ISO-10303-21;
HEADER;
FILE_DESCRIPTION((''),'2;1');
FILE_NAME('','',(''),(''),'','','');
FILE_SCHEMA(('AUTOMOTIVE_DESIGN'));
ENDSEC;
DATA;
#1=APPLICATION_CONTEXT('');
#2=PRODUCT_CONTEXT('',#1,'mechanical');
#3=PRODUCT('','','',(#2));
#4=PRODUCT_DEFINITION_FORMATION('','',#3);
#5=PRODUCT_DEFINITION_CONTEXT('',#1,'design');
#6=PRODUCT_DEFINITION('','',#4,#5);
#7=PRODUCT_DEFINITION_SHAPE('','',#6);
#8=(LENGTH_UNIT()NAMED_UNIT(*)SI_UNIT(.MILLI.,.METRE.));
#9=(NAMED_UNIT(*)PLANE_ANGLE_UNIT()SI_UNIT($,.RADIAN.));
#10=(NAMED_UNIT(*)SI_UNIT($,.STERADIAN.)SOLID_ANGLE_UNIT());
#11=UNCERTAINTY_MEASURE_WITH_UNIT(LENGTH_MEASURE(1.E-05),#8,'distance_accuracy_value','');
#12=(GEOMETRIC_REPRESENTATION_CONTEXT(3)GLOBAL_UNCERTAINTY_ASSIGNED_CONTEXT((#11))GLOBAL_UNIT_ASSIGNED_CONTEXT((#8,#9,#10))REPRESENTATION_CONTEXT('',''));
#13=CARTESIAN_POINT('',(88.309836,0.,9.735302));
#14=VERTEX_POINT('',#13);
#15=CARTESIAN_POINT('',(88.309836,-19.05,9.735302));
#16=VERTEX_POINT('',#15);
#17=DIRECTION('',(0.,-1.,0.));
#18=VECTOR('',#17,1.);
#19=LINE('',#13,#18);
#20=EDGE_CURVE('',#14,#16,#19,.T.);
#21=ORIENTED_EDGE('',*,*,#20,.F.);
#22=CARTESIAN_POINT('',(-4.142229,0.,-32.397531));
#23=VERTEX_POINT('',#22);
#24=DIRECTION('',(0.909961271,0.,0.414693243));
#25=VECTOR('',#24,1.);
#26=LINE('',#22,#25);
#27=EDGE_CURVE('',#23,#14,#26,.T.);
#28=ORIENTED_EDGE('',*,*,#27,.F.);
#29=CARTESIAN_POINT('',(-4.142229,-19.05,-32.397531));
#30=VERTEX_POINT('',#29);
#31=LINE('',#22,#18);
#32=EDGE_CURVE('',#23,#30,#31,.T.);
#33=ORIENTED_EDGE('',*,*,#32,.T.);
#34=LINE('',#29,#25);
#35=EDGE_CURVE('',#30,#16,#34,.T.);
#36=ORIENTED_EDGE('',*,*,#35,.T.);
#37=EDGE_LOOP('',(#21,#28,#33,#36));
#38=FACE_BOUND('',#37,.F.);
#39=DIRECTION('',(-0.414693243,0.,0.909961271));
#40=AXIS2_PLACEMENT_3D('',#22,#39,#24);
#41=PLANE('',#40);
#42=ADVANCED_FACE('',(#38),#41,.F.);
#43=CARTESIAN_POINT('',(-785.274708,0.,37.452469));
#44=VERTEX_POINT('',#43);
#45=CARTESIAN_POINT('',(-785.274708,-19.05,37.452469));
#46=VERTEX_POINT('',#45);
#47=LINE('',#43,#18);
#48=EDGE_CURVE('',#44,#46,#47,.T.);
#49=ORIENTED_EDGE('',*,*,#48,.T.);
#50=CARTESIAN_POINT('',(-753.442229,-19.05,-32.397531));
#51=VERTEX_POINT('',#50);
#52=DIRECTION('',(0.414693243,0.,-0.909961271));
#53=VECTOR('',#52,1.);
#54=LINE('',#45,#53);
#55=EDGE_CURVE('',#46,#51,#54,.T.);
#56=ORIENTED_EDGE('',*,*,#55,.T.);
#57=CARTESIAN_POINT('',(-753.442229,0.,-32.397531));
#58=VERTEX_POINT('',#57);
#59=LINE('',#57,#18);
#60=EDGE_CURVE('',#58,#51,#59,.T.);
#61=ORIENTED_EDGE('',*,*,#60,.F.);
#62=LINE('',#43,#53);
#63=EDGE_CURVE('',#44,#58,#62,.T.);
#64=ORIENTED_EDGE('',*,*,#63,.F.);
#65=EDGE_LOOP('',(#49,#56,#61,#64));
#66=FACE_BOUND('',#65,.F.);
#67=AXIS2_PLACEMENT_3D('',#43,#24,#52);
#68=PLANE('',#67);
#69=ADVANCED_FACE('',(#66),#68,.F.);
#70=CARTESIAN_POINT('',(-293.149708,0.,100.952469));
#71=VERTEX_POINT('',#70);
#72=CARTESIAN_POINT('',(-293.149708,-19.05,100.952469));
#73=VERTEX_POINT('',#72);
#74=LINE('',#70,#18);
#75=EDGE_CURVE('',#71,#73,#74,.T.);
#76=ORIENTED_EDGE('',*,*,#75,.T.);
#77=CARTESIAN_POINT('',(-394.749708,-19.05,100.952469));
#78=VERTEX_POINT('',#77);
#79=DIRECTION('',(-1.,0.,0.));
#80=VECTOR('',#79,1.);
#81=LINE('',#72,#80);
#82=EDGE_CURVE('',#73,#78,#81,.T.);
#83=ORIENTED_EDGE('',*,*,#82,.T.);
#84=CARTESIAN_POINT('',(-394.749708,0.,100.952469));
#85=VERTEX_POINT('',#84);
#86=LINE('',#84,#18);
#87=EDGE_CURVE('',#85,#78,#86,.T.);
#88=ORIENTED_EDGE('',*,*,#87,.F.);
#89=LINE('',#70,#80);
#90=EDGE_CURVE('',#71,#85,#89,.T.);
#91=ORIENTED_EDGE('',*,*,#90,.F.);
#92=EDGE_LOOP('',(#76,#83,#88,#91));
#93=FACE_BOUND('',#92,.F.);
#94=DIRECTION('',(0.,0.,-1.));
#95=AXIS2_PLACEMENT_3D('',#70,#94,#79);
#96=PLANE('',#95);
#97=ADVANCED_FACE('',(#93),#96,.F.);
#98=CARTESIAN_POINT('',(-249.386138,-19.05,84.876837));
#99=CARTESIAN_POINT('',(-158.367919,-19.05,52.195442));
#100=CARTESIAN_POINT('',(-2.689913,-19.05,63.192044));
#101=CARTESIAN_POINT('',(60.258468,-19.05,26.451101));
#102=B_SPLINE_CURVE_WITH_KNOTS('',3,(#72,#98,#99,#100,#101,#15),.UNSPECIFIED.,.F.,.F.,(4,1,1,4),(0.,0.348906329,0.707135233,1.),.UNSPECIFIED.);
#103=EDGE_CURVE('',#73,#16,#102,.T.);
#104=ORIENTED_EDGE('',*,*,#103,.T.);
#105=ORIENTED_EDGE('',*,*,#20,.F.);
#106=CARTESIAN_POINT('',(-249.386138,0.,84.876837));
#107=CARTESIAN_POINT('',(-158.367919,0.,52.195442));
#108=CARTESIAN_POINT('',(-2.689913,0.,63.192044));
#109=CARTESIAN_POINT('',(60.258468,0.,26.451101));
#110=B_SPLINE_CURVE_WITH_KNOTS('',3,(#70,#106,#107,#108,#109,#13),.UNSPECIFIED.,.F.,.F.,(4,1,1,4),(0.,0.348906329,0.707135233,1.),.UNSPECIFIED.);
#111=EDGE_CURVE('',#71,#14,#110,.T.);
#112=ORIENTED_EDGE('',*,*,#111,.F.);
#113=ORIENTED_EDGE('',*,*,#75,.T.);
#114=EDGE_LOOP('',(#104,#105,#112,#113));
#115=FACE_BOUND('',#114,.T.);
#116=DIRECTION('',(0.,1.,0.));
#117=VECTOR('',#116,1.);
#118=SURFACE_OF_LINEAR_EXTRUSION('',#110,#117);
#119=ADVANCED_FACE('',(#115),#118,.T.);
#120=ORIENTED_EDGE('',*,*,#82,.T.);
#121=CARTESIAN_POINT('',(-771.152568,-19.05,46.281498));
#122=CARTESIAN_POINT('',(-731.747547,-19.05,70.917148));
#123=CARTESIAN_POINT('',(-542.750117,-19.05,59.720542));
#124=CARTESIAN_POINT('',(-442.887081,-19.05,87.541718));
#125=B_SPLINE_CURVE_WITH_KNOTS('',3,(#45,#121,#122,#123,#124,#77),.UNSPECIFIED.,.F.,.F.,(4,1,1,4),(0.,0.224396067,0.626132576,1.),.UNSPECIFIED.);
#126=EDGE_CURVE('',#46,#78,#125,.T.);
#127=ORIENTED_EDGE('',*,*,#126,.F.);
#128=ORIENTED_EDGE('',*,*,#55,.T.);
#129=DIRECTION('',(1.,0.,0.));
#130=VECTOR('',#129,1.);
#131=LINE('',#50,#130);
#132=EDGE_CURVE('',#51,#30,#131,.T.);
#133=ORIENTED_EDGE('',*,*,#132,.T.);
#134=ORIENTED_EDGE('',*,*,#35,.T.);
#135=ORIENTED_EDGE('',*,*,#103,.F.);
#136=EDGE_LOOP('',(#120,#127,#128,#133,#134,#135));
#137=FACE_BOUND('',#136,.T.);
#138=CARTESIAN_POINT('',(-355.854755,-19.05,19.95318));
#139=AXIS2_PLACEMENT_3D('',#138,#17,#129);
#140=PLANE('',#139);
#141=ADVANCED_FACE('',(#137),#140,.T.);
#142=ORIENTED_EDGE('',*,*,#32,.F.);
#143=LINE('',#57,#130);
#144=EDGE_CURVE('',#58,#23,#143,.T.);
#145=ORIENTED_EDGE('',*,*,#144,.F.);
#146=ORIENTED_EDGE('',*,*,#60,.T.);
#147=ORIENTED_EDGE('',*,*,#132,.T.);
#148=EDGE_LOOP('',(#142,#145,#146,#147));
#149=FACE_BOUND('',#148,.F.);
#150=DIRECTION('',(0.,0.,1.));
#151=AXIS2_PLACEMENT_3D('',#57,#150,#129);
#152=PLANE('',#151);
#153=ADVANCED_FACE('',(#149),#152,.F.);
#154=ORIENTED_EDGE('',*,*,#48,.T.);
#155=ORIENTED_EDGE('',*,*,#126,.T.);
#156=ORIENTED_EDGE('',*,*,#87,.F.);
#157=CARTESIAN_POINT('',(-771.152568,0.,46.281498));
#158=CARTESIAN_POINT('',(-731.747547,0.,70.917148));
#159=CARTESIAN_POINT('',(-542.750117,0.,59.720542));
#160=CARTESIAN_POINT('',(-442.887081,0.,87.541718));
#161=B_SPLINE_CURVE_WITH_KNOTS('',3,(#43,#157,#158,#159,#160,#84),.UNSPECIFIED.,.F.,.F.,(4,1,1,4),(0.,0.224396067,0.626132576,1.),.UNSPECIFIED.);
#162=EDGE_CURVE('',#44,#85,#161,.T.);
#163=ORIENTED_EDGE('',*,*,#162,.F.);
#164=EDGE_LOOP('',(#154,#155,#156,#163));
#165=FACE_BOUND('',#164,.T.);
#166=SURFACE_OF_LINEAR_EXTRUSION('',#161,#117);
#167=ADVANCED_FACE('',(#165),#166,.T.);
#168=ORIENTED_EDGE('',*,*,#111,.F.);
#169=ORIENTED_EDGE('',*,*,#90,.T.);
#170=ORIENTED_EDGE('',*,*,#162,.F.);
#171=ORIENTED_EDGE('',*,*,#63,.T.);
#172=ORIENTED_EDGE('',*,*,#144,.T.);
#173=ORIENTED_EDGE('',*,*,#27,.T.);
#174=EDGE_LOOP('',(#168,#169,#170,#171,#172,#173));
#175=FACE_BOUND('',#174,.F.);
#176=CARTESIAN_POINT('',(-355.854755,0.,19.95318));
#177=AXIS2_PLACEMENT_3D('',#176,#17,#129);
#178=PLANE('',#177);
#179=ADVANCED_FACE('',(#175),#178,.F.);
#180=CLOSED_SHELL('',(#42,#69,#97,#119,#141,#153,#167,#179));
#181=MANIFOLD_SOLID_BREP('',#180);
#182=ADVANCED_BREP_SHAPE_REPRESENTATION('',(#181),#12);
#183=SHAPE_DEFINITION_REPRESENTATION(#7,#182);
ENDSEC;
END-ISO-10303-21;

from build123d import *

# Parameters (mm, degrees)
F1_DEPTH = 19.05


with BuildPart() as f1:
    # F0 (on Front) → F1 (new body)
    with BuildSketch(Plane.XZ):
        with BuildLine():
            Line((-785.2747082114, 37.452469027), (-753.4422292625, -32.397530973))
            Line((-753.4422292625, -32.397530973), (-4.1422292625, -32.397530973))
            Line((-4.1422292625, -32.397530973), (88.3098358586, 9.7353024809))
            add(Edge.make_bspline(
                [(-293.1497082114, 100.952469027), (-249.3861376506, 84.8768374866), (-158.3679193405, 52.1954424277), (-2.6899127054, 63.192044415), (60.2584676484, 26.451100898), (88.3098358586, 9.7353024809)],
                knots=[0, 0, 0, 0, 0.3489063291, 0.7071352332, 1, 1, 1, 1], degree=3))
            Line((-293.1497082114, 100.952469027), (-394.7497082114, 100.952469027))
            add(Edge.make_bspline(
                [(-785.2747082114, 37.452469027), (-771.1525683757, 46.2814984453), (-731.7475471229, 70.9171482769), (-542.750116505, 59.7205416368), (-442.8870811461, 87.5417177428), (-394.7497082114, 100.952469027)],
                knots=[0, 0, 0, 0, 0.2243960672, 0.6261325762, 1, 1, 1, 1], degree=3))
        make_face()
    extrude(amount=F1_DEPTH)


solid = f1.part
